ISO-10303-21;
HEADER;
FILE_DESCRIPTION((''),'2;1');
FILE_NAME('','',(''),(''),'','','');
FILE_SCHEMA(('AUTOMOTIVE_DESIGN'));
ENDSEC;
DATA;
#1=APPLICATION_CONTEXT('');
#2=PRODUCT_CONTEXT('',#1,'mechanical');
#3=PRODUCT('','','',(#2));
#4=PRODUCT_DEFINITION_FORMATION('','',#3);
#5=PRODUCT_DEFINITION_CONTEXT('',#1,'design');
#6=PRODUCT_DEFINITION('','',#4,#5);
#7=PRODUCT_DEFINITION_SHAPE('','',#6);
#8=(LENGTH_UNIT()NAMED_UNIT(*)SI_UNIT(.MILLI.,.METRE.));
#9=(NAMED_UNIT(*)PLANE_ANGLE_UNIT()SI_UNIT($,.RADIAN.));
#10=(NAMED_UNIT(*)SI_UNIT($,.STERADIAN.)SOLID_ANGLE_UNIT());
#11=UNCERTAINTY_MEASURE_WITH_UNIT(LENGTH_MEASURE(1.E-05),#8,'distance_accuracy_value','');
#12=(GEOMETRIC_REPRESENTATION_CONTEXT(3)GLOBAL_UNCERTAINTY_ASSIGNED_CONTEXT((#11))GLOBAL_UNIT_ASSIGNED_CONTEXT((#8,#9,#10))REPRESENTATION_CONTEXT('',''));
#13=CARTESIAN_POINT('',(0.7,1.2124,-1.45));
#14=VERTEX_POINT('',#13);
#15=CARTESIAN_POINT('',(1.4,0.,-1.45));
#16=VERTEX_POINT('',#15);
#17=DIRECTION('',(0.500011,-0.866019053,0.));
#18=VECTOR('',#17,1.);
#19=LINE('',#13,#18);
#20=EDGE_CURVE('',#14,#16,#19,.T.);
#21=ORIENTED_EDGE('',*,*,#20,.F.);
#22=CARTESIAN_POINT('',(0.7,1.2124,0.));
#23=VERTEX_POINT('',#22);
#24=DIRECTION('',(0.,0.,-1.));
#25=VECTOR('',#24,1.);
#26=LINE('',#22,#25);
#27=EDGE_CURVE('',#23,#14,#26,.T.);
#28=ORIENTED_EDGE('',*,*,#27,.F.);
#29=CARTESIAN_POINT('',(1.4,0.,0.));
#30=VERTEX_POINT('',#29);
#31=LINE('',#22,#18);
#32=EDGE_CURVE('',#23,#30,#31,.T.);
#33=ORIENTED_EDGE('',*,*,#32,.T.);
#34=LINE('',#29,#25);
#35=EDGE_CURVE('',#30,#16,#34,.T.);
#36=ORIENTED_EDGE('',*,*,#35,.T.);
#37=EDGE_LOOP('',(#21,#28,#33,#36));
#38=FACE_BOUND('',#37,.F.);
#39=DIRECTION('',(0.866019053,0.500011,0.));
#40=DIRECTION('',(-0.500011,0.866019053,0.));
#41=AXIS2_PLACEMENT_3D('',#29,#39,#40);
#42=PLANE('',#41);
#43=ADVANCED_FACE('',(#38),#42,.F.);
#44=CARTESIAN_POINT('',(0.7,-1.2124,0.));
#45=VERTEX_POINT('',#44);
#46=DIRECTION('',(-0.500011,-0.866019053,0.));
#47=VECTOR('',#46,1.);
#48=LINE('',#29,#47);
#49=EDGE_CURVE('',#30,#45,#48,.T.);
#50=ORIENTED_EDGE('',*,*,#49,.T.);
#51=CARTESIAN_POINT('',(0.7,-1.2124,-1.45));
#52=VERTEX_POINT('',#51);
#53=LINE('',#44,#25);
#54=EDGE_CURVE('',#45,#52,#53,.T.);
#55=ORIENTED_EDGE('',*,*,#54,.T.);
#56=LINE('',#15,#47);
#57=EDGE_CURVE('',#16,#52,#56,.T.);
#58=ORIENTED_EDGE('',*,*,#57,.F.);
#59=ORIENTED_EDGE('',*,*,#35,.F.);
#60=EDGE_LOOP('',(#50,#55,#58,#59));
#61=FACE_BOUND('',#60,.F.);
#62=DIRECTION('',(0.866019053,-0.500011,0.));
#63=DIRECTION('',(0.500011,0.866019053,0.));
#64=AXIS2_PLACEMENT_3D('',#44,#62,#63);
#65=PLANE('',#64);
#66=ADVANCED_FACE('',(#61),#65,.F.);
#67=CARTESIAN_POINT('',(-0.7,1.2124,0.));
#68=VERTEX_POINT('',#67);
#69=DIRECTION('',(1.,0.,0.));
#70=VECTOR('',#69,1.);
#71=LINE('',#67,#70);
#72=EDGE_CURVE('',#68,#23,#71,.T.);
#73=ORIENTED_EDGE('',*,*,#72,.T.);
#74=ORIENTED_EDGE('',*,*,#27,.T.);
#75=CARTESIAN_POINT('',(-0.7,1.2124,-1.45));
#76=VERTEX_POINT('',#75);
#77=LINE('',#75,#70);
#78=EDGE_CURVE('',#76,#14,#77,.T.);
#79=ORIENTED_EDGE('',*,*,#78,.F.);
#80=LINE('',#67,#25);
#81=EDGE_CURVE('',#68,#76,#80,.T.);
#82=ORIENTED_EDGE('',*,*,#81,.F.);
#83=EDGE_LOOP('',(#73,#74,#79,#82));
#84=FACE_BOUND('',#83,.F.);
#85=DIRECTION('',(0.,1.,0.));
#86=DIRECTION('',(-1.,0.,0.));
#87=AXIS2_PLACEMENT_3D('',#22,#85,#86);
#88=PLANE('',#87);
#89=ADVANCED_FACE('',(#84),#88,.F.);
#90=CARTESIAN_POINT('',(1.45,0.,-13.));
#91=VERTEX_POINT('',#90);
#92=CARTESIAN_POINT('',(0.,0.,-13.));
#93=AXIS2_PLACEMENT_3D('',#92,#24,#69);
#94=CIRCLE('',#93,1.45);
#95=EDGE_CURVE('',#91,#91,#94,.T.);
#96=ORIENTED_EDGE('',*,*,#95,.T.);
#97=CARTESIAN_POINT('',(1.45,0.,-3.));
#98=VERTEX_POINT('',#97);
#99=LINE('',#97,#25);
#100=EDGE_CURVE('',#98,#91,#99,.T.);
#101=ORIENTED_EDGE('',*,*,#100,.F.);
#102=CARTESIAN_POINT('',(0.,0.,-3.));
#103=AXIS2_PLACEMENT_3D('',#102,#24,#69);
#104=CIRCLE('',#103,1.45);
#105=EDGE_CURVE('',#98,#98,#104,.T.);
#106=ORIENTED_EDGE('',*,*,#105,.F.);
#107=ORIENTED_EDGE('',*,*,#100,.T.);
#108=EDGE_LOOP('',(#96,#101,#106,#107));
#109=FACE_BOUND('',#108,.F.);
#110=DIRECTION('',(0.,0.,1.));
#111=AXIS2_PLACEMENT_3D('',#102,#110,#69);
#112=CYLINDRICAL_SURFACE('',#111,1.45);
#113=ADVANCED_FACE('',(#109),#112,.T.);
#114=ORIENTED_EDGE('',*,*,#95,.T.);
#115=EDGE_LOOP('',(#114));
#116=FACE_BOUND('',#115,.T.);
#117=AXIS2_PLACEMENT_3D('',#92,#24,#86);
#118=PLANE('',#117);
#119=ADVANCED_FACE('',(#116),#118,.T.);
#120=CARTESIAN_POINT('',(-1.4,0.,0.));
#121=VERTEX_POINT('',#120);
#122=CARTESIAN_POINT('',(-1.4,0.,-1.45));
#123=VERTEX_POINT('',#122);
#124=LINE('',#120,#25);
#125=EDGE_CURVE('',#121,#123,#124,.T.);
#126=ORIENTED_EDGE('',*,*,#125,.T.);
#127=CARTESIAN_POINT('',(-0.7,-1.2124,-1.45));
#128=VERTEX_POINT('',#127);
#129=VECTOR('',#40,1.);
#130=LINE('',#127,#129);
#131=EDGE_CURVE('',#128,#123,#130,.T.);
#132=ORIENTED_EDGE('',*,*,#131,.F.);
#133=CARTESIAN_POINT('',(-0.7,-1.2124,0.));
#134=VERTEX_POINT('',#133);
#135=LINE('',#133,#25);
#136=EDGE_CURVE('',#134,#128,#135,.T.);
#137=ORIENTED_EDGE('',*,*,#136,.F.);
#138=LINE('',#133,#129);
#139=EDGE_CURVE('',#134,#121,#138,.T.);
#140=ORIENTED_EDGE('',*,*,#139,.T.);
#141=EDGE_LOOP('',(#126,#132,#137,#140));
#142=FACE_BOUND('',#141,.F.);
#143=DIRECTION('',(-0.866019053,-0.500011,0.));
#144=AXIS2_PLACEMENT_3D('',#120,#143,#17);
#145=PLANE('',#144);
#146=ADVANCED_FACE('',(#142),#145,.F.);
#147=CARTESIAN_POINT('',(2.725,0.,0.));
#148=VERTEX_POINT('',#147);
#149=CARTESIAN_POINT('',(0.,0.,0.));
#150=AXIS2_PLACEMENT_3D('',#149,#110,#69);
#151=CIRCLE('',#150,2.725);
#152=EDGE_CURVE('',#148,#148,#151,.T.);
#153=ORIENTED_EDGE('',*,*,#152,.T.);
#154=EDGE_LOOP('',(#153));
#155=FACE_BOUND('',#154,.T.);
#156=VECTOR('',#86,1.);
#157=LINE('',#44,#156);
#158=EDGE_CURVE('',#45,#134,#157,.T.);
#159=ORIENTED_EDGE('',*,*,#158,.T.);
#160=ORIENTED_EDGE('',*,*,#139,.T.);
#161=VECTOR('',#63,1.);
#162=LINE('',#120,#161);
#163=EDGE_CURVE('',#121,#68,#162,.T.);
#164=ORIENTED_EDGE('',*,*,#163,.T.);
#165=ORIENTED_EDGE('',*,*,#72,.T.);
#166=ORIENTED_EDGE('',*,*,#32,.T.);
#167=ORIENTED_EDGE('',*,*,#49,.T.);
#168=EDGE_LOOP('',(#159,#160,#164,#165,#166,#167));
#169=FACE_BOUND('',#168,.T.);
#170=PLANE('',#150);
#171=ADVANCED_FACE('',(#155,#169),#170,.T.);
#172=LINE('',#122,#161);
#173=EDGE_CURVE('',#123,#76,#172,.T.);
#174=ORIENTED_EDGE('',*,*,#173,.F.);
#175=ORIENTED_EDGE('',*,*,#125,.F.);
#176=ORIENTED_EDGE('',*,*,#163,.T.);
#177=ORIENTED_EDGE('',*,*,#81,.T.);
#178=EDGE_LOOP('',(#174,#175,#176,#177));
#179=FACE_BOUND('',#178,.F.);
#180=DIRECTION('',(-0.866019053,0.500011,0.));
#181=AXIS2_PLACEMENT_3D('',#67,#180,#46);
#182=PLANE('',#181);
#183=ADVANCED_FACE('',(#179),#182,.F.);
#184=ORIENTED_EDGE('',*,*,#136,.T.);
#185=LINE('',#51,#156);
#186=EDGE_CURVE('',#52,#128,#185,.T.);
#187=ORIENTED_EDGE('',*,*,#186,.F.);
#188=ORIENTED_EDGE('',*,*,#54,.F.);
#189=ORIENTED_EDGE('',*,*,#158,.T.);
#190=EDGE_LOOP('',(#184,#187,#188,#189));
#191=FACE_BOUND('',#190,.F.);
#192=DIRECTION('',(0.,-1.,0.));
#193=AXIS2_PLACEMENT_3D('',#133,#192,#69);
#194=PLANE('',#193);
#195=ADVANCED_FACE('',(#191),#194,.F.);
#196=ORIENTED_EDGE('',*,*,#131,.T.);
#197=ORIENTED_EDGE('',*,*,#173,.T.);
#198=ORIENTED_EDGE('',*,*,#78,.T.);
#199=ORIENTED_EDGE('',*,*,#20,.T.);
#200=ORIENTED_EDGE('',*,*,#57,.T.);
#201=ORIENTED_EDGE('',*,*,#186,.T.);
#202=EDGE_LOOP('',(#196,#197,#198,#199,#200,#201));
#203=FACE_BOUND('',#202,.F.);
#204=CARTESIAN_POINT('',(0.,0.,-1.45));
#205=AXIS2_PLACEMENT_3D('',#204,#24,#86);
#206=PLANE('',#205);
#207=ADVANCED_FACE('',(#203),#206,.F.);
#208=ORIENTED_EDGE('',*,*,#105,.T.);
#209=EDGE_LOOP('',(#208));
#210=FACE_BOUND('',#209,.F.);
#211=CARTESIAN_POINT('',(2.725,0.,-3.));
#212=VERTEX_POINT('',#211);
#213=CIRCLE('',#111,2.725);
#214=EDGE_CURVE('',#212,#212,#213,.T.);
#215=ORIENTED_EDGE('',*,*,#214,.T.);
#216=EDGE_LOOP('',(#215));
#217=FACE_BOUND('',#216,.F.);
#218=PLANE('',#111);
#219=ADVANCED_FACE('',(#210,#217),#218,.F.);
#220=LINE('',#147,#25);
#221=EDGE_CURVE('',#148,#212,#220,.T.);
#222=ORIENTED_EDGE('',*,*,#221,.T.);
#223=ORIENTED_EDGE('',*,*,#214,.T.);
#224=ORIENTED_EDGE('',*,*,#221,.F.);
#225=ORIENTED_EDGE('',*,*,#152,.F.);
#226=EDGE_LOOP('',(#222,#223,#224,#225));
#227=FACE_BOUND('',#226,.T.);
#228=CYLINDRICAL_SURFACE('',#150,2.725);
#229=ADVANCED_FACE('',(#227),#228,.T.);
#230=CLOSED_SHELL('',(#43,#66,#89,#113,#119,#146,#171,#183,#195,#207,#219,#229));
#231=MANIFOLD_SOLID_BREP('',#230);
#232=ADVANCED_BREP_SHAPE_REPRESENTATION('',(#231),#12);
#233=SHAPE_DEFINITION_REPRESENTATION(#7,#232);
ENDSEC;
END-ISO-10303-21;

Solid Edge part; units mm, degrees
sketch "Sketch1" plane through (0, 0, 0) normal (0, 0, 1) x (1, 0, 0)
  circle A0 centre (0, 0) radius 2.725
extrude "Protrusion1" add sketch "Sketch1" against normal blind 3
sketch "Sketch2" plane through (0, 0, 0) normal (0, 0, 1) x (1, 0, 0)
  line L0 (-0.7, -1.2124) -> (-1.05, -0.6062)
  line L1 (-1.4, 0) -> (-1.05, -0.6062)
  line L2 (-1.4, 0) -> (-1.05, 0.6062)
  line L3 (-0.7, 1.2124) -> (-1.05, 0.6062)
  line L4 (-0.7, 1.2124) -> (0, 1.2124)
  line L5 (0.7, 1.2124) -> (0, 1.2124)
  line L6 (0.7, 1.2124) -> (1.05, 0.6062)
  line L7 (1.4, 0) -> (1.05, 0.6062)
  line L8 (1.4, 0) -> (1.05, -0.6062)
  line L9 (0.7, -1.2124) -> (1.05, -0.6062)
  line L10 (0.7, -1.2124) -> (0, -1.2124)
  line L11 (-0.7, -1.2124) -> (0, -1.2124)
extrude "ExtrudedCutout_1" cut sketch "Sketch2" against normal blind 1.45
sketch "Sketch3" plane through (0, 0, -3) normal (0, 0, -1) x (1, 0, 0)
  circle A0 centre (0, 0) radius 1.45
extrude "ExtrudedProtrusion_2" add sketch "Sketch3" along normal blind 10
properties material "Stainless steel"
